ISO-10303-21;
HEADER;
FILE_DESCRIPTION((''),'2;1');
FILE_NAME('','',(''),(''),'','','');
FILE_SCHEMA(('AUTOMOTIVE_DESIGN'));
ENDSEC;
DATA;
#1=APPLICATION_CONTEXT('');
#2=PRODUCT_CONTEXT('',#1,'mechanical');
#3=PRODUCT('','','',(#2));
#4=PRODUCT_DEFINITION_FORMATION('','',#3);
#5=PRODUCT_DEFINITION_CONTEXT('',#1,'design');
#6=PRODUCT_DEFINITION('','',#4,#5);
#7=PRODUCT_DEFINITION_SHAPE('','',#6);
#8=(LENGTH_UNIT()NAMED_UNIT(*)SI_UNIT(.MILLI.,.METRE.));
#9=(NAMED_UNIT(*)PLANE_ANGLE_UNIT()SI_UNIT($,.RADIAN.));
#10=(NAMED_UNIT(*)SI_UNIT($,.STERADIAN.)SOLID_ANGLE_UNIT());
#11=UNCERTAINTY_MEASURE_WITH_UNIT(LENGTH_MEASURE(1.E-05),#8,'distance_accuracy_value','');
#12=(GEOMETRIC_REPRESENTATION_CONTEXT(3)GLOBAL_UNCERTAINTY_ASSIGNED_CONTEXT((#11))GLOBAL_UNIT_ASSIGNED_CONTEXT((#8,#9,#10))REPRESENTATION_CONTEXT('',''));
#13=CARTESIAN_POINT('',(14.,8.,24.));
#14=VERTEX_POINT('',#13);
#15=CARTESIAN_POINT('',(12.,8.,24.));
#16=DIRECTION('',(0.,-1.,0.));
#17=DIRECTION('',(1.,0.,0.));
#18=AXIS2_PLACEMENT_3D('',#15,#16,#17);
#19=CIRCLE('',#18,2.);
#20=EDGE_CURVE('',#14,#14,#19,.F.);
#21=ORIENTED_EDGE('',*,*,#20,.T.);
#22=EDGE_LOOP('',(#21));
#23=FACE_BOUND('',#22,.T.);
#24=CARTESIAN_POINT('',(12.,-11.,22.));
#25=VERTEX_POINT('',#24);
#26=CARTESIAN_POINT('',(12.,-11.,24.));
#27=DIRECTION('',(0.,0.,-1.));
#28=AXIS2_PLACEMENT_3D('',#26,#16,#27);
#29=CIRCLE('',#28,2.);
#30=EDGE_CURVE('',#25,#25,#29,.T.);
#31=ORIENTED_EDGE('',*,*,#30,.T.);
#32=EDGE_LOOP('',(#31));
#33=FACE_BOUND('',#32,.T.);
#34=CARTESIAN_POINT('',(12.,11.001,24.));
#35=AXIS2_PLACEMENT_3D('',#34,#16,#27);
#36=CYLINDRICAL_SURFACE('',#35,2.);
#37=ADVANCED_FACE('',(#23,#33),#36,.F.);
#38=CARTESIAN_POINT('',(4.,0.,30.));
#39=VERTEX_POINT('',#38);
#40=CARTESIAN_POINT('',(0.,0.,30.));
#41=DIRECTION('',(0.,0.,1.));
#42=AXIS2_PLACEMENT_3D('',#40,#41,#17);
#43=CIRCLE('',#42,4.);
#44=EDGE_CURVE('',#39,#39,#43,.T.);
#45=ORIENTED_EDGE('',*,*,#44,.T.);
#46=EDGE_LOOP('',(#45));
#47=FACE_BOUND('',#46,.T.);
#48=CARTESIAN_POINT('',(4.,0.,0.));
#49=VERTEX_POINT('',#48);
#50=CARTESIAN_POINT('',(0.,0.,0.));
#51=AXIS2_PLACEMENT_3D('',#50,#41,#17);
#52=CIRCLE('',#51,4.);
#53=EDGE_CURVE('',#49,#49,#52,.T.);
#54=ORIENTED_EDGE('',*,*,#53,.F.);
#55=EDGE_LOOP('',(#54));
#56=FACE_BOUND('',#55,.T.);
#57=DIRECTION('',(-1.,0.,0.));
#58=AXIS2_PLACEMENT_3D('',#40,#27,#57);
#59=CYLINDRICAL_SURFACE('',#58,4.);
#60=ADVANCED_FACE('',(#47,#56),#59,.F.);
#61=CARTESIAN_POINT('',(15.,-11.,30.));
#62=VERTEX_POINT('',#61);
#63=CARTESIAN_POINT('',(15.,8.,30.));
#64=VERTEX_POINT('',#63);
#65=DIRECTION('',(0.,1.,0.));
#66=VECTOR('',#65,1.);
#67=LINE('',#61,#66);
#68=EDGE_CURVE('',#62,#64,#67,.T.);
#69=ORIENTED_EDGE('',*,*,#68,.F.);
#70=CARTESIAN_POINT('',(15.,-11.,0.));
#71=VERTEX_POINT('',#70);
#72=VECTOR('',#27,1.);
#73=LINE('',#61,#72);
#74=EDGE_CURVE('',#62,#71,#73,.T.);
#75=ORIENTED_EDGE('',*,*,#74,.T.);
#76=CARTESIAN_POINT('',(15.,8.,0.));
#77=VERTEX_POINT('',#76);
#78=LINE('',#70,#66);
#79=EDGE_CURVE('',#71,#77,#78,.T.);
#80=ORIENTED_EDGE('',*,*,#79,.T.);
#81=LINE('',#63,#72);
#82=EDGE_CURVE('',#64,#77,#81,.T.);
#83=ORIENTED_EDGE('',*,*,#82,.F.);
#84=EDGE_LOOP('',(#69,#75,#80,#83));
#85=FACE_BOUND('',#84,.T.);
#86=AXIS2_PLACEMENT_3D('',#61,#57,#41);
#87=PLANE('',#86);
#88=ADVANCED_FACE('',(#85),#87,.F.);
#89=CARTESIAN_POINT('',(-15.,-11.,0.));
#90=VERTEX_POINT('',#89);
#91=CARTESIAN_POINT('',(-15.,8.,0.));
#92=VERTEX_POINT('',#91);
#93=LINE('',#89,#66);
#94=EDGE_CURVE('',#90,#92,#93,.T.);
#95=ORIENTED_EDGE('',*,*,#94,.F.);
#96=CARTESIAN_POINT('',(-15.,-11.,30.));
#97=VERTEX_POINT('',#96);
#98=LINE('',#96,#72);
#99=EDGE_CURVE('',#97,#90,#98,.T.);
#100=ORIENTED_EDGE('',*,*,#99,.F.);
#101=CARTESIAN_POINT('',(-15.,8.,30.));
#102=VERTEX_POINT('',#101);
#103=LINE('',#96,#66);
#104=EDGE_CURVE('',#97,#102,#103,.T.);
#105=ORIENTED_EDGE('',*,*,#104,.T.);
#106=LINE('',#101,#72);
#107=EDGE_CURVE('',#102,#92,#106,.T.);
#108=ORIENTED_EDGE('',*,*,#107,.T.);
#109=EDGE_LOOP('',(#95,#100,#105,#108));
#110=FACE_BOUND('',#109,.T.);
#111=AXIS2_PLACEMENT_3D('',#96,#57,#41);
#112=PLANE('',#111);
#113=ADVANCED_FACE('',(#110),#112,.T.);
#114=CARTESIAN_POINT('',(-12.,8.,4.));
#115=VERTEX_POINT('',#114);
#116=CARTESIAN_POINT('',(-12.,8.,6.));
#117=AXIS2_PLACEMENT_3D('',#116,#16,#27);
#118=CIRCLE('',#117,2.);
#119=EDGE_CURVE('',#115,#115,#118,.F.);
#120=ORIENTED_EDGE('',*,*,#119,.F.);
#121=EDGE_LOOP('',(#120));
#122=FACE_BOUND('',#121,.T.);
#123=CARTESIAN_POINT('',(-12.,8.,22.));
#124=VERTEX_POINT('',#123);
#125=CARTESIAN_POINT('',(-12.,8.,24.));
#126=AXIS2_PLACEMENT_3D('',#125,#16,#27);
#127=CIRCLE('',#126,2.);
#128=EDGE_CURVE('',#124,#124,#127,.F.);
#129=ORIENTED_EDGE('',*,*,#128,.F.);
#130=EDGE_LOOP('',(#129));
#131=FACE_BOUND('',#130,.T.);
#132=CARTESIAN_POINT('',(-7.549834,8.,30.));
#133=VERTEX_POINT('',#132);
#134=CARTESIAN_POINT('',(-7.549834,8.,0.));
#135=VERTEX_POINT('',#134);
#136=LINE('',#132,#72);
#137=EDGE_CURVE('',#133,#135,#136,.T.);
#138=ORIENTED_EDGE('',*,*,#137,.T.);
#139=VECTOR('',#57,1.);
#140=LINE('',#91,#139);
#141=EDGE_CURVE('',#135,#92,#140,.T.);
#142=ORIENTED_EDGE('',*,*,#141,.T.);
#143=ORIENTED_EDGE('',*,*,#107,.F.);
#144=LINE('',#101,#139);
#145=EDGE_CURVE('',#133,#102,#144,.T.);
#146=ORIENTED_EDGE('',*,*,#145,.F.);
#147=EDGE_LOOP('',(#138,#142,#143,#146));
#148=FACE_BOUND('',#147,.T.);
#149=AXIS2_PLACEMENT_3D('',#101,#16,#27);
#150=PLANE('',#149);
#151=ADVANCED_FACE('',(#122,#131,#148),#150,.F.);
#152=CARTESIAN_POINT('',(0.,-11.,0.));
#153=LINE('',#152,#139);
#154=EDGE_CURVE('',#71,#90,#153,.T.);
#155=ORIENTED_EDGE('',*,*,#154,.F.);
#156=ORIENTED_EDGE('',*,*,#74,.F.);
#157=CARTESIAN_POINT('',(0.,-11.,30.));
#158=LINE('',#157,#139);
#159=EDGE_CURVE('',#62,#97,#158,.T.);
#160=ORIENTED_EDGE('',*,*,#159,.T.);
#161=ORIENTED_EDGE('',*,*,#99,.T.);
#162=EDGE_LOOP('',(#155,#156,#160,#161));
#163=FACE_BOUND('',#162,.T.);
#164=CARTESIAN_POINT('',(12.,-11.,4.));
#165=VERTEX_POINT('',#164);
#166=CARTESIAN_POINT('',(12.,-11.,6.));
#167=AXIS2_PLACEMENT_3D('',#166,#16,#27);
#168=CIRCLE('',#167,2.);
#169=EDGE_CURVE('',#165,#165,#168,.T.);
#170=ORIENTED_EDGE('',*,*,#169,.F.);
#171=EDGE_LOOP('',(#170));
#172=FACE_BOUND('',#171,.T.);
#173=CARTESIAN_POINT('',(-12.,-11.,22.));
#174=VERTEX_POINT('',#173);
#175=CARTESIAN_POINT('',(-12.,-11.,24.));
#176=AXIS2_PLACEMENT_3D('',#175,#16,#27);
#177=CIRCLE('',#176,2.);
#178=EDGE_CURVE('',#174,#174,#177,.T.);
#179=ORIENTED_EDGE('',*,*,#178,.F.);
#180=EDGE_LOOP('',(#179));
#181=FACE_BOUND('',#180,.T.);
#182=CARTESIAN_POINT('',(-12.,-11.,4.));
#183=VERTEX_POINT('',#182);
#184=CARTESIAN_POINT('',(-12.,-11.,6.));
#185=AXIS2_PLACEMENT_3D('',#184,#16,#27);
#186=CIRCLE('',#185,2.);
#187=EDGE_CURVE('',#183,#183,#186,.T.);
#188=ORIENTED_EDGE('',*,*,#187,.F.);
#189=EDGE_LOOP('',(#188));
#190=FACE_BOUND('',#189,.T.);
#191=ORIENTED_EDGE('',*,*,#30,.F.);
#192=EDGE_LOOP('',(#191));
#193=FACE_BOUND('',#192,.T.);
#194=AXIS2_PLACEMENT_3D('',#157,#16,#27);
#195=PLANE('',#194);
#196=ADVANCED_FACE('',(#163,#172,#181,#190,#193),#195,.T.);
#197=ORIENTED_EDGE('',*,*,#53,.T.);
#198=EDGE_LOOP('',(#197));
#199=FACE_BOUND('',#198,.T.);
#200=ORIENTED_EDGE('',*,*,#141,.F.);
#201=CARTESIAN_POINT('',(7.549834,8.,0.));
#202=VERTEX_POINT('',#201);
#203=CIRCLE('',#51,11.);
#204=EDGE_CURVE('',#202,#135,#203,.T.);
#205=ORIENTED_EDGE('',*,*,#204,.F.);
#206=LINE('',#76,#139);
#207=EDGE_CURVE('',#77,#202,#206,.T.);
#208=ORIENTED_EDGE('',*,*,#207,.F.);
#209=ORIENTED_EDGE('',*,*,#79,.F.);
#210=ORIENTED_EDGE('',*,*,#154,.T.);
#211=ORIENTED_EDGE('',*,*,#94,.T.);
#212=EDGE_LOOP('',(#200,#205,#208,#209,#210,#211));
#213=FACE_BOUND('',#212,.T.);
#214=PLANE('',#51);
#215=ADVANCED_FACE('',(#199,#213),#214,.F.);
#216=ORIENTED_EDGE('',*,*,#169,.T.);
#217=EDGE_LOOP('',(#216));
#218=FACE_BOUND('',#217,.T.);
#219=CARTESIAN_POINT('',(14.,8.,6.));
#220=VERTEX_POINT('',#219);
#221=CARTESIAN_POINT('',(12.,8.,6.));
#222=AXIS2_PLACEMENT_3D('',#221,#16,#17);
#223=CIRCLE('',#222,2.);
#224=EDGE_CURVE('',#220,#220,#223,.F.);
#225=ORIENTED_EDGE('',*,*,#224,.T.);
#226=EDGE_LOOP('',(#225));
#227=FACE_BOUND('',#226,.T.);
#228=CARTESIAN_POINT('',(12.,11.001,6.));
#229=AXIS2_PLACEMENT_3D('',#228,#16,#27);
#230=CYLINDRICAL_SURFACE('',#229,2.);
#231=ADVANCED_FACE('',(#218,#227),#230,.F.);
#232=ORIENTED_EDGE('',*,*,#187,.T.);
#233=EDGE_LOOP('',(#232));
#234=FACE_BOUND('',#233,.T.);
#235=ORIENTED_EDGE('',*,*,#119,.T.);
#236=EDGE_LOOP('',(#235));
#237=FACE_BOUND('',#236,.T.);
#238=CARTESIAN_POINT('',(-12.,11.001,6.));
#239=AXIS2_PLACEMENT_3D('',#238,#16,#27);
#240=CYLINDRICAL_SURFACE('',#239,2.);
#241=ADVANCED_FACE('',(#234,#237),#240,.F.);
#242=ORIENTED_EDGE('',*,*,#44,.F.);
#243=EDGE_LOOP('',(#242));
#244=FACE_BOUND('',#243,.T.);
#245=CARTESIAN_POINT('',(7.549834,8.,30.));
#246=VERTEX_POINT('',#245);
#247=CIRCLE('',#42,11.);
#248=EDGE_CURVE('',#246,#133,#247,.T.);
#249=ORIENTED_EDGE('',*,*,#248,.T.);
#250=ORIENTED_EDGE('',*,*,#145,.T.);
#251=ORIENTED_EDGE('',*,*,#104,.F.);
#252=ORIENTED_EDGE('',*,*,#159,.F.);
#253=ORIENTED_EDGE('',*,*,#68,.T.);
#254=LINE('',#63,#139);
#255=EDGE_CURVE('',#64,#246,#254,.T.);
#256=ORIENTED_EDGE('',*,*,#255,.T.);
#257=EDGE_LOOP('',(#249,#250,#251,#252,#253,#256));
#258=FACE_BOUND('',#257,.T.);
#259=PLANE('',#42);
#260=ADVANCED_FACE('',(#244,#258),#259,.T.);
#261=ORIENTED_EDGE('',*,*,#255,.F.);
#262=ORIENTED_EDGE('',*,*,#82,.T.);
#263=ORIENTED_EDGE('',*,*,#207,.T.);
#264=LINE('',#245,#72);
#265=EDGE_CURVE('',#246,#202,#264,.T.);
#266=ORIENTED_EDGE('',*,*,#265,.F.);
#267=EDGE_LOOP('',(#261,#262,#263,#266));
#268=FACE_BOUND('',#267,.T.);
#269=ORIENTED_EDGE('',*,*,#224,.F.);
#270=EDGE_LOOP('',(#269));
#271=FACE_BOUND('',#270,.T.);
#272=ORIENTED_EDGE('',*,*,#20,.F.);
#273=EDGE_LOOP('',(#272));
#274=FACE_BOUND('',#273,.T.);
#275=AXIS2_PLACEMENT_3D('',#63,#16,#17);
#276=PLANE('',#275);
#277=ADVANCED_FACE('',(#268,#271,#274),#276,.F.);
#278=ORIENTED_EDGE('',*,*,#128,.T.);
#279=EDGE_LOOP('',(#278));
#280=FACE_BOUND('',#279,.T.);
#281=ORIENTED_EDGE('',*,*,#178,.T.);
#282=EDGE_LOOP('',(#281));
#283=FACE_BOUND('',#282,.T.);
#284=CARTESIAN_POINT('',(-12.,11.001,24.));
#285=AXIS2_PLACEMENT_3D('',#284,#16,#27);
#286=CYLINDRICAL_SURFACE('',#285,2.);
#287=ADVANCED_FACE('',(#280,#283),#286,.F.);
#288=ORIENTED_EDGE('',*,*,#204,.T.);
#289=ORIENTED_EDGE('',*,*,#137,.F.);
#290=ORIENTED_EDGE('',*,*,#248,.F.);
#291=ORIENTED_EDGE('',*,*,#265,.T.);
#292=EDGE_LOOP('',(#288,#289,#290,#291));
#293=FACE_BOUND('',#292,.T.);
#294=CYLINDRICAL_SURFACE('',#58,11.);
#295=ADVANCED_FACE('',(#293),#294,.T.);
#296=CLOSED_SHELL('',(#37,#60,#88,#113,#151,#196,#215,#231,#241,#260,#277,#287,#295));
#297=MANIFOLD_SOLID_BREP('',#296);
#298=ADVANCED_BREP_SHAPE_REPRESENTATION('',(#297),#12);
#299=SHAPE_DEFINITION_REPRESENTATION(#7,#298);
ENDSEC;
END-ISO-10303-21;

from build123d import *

# Parameters (mm, degrees)
SZKIC1_R                    = 11
SZKIC1_R_2                  = 4
DODANIE_WYCI_GNI_CIE1_DEPTH = 30
SZKIC5_W                    = 15
SZKIC5_H                    = 7
DODANIE_WYCI_GNI_CIE2_DEPTH = 30
SZKIC6_W                    = 15
SZKIC6_H                    = 7
DODANIE_WYCI_GNI_CIE3_DEPTH = 30
SZKIC7_W                    = 7.450165565
SZKIC7_H                    = 12
DODANIE_WYCI_GNI_CIE4_DEPTH = 30
WYTNIJ_WYCI_GNI_CIE1_REACH  = 42.112
SZKIC8_R                    = 2


with BuildPart() as part:
    # Szkic1 → Dodanie-wyciągnięcie1 (new body)
    with BuildSketch(Plane.XY):
        Circle(SZKIC1_R)
        Circle(SZKIC1_R_2, mode=Mode.SUBTRACT)
    extrude(amount=DODANIE_WYCI_GNI_CIE1_DEPTH)

    # Szkic5 → Dodanie-wyciągnięcie2 (add)
    with BuildSketch(Plane(origin=(0, 0, 0), x_dir=(-1, 0, 0), z_dir=(0, 0, -1))):
        with Locations((7.5, -7.5)):
            Rectangle(SZKIC5_W, SZKIC5_H)
    extrude(amount=-DODANIE_WYCI_GNI_CIE2_DEPTH)

    # Szkic6 → Dodanie-wyciągnięcie3 (add)
    with BuildSketch(Plane.XY):
        with Locations((7.5, -7.5)):
            Rectangle(SZKIC6_W, SZKIC6_H)
    extrude(amount=DODANIE_WYCI_GNI_CIE3_DEPTH)

    # Szkic7 → Dodanie-wyciągnięcie4 (add)
    with BuildSketch(Plane.XY):
        with Locations((11.274917218, 2)):
            Rectangle(SZKIC7_W, SZKIC7_H)
        with Locations((-11.274917218, 2)):
            Rectangle(SZKIC7_W, SZKIC7_H)
    extrude(amount=DODANIE_WYCI_GNI_CIE4_DEPTH)

    # Szkic8 → Wytnij-wyciągnięcie1 (cut, up to next)
    with BuildSketch(Plane.XZ.offset(11), mode=Mode.PRIVATE) as wytnij_wyci_gni_cie1_sk1:
        with Locations(Location((-12, 24, 0), (0, 0, 270))):
            Circle(SZKIC8_R)
    wytnij_wyci_gni_cie1_tool1 = extrude(wytnij_wyci_gni_cie1_sk1.sketch, amount=-WYTNIJ_WYCI_GNI_CIE1_REACH, mode=Mode.PRIVATE) & part.part
    # Szkic8 → Wytnij-wyciągnięcie1 (cut, up to next)
    with BuildSketch(Plane.XZ.offset(11), mode=Mode.PRIVATE) as wytnij_wyci_gni_cie1_sk2:
        with Locations(Location((12, 24, 0), (0, 0, 270))):
            Circle(SZKIC8_R)
    wytnij_wyci_gni_cie1_tool2 = extrude(wytnij_wyci_gni_cie1_sk2.sketch, amount=-WYTNIJ_WYCI_GNI_CIE1_REACH, mode=Mode.PRIVATE) & part.part
    # Szkic8 → Wytnij-wyciągnięcie1 (cut, up to next)
    with BuildSketch(Plane.XZ.offset(11), mode=Mode.PRIVATE) as wytnij_wyci_gni_cie1_sk3:
        with Locations(Location((12, 6, 0), (0, 0, 270))):
            Circle(SZKIC8_R)
    wytnij_wyci_gni_cie1_tool3 = extrude(wytnij_wyci_gni_cie1_sk3.sketch, amount=-WYTNIJ_WYCI_GNI_CIE1_REACH, mode=Mode.PRIVATE) & part.part
    # Szkic8 → Wytnij-wyciągnięcie1 (cut, up to next)
    with BuildSketch(Plane.XZ.offset(11), mode=Mode.PRIVATE) as wytnij_wyci_gni_cie1_sk4:
        with Locations(Location((-12, 6, 0), (0, 0, 270))):
            Circle(SZKIC8_R)
    wytnij_wyci_gni_cie1_tool4 = extrude(wytnij_wyci_gni_cie1_sk4.sketch, amount=-WYTNIJ_WYCI_GNI_CIE1_REACH, mode=Mode.PRIVATE) & part.part
    add(wytnij_wyci_gni_cie1_tool1.solids().sort_by_distance((-12, -11, 24))[0], mode=Mode.SUBTRACT)
    add(wytnij_wyci_gni_cie1_tool2.solids().sort_by_distance((12, -11, 24))[0], mode=Mode.SUBTRACT)
    add(wytnij_wyci_gni_cie1_tool3.solids().sort_by_distance((12, -11, 6))[0], mode=Mode.SUBTRACT)
    add(wytnij_wyci_gni_cie1_tool4.solids().sort_by_distance((-12, -11, 6))[0], mode=Mode.SUBTRACT)


solid = part.part
